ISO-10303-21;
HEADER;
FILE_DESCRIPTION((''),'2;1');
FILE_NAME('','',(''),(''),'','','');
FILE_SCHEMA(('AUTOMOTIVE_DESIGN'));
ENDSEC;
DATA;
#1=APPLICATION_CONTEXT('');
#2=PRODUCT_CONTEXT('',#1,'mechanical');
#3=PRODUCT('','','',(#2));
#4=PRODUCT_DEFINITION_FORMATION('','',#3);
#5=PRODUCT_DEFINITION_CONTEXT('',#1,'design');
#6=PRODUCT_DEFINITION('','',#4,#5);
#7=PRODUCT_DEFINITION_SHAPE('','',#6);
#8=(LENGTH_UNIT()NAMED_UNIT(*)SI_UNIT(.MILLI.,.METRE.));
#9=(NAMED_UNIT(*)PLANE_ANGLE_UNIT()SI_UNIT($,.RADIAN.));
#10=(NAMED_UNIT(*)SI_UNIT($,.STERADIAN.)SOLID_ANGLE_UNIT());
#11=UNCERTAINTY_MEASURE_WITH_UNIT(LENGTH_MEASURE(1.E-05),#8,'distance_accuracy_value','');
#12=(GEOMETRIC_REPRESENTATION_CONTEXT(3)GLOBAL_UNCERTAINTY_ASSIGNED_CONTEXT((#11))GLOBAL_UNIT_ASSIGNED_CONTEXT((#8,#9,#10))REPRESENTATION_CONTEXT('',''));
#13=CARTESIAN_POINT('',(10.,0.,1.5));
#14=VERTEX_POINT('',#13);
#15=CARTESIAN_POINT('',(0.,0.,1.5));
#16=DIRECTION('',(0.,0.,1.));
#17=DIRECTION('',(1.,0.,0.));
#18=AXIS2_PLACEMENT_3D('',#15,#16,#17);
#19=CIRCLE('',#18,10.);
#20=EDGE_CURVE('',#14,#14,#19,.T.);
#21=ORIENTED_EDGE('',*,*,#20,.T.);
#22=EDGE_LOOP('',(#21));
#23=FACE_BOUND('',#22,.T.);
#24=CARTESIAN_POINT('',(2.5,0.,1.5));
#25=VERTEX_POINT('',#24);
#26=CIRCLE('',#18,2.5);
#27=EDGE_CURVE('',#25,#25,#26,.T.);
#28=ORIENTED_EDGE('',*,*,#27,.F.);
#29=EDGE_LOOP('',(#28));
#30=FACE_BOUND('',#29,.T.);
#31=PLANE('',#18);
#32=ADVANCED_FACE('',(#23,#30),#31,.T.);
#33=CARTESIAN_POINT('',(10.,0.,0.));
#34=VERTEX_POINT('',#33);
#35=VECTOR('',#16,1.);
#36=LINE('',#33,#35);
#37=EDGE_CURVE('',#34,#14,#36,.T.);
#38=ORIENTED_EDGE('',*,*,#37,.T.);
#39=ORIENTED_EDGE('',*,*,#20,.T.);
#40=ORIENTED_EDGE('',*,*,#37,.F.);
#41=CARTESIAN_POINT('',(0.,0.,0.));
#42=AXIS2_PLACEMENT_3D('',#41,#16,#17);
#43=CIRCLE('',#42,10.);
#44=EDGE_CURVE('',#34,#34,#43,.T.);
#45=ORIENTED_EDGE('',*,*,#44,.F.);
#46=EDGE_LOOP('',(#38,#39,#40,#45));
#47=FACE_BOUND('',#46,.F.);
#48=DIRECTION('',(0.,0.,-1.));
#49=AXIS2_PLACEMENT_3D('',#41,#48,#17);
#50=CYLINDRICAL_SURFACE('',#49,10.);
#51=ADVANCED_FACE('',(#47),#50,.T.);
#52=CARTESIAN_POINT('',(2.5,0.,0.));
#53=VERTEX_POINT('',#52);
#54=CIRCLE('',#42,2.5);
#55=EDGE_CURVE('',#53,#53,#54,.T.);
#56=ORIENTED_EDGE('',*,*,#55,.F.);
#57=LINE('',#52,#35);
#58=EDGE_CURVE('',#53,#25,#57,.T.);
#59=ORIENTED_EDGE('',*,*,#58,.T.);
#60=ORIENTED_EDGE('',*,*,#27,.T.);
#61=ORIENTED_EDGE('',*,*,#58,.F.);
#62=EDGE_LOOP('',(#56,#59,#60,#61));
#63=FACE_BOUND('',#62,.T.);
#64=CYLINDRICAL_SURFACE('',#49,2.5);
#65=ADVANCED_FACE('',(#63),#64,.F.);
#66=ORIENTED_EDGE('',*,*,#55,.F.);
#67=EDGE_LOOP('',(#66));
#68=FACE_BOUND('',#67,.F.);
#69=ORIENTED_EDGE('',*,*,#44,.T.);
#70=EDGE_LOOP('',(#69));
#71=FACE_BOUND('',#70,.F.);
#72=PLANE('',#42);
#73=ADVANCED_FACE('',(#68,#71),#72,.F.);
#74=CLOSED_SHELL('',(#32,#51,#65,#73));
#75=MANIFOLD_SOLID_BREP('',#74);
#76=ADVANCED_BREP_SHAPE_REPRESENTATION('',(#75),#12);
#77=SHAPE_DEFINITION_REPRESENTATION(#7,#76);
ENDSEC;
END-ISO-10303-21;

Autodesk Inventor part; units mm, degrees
ref_plane "YZ Plane" through (0, 0, 0) normal (1, 0, 0) x (0, 1, 0)
ref_plane "XZ Plane" through (0, 0, 0) normal (0, 1, 0) x (-1, 0, 0)
ref_plane "XY Plane" through (0, 0, 0) normal (0, 0, 1) x (1, 0, 0)
sketch "Sketch1" plane through (0, 0, 0) normal (0, 0, 1) x (1, 0, 0)
  circle A0 centre (0, 0) radius 2.5
  circle A1 centre (0, 0) radius 10
  dimension "d0" = 5
  dimension "d1" = 20
extrude "Extrusion1" add sketch "Sketch1" along normal blind 1.5
properties part number "washer5"
